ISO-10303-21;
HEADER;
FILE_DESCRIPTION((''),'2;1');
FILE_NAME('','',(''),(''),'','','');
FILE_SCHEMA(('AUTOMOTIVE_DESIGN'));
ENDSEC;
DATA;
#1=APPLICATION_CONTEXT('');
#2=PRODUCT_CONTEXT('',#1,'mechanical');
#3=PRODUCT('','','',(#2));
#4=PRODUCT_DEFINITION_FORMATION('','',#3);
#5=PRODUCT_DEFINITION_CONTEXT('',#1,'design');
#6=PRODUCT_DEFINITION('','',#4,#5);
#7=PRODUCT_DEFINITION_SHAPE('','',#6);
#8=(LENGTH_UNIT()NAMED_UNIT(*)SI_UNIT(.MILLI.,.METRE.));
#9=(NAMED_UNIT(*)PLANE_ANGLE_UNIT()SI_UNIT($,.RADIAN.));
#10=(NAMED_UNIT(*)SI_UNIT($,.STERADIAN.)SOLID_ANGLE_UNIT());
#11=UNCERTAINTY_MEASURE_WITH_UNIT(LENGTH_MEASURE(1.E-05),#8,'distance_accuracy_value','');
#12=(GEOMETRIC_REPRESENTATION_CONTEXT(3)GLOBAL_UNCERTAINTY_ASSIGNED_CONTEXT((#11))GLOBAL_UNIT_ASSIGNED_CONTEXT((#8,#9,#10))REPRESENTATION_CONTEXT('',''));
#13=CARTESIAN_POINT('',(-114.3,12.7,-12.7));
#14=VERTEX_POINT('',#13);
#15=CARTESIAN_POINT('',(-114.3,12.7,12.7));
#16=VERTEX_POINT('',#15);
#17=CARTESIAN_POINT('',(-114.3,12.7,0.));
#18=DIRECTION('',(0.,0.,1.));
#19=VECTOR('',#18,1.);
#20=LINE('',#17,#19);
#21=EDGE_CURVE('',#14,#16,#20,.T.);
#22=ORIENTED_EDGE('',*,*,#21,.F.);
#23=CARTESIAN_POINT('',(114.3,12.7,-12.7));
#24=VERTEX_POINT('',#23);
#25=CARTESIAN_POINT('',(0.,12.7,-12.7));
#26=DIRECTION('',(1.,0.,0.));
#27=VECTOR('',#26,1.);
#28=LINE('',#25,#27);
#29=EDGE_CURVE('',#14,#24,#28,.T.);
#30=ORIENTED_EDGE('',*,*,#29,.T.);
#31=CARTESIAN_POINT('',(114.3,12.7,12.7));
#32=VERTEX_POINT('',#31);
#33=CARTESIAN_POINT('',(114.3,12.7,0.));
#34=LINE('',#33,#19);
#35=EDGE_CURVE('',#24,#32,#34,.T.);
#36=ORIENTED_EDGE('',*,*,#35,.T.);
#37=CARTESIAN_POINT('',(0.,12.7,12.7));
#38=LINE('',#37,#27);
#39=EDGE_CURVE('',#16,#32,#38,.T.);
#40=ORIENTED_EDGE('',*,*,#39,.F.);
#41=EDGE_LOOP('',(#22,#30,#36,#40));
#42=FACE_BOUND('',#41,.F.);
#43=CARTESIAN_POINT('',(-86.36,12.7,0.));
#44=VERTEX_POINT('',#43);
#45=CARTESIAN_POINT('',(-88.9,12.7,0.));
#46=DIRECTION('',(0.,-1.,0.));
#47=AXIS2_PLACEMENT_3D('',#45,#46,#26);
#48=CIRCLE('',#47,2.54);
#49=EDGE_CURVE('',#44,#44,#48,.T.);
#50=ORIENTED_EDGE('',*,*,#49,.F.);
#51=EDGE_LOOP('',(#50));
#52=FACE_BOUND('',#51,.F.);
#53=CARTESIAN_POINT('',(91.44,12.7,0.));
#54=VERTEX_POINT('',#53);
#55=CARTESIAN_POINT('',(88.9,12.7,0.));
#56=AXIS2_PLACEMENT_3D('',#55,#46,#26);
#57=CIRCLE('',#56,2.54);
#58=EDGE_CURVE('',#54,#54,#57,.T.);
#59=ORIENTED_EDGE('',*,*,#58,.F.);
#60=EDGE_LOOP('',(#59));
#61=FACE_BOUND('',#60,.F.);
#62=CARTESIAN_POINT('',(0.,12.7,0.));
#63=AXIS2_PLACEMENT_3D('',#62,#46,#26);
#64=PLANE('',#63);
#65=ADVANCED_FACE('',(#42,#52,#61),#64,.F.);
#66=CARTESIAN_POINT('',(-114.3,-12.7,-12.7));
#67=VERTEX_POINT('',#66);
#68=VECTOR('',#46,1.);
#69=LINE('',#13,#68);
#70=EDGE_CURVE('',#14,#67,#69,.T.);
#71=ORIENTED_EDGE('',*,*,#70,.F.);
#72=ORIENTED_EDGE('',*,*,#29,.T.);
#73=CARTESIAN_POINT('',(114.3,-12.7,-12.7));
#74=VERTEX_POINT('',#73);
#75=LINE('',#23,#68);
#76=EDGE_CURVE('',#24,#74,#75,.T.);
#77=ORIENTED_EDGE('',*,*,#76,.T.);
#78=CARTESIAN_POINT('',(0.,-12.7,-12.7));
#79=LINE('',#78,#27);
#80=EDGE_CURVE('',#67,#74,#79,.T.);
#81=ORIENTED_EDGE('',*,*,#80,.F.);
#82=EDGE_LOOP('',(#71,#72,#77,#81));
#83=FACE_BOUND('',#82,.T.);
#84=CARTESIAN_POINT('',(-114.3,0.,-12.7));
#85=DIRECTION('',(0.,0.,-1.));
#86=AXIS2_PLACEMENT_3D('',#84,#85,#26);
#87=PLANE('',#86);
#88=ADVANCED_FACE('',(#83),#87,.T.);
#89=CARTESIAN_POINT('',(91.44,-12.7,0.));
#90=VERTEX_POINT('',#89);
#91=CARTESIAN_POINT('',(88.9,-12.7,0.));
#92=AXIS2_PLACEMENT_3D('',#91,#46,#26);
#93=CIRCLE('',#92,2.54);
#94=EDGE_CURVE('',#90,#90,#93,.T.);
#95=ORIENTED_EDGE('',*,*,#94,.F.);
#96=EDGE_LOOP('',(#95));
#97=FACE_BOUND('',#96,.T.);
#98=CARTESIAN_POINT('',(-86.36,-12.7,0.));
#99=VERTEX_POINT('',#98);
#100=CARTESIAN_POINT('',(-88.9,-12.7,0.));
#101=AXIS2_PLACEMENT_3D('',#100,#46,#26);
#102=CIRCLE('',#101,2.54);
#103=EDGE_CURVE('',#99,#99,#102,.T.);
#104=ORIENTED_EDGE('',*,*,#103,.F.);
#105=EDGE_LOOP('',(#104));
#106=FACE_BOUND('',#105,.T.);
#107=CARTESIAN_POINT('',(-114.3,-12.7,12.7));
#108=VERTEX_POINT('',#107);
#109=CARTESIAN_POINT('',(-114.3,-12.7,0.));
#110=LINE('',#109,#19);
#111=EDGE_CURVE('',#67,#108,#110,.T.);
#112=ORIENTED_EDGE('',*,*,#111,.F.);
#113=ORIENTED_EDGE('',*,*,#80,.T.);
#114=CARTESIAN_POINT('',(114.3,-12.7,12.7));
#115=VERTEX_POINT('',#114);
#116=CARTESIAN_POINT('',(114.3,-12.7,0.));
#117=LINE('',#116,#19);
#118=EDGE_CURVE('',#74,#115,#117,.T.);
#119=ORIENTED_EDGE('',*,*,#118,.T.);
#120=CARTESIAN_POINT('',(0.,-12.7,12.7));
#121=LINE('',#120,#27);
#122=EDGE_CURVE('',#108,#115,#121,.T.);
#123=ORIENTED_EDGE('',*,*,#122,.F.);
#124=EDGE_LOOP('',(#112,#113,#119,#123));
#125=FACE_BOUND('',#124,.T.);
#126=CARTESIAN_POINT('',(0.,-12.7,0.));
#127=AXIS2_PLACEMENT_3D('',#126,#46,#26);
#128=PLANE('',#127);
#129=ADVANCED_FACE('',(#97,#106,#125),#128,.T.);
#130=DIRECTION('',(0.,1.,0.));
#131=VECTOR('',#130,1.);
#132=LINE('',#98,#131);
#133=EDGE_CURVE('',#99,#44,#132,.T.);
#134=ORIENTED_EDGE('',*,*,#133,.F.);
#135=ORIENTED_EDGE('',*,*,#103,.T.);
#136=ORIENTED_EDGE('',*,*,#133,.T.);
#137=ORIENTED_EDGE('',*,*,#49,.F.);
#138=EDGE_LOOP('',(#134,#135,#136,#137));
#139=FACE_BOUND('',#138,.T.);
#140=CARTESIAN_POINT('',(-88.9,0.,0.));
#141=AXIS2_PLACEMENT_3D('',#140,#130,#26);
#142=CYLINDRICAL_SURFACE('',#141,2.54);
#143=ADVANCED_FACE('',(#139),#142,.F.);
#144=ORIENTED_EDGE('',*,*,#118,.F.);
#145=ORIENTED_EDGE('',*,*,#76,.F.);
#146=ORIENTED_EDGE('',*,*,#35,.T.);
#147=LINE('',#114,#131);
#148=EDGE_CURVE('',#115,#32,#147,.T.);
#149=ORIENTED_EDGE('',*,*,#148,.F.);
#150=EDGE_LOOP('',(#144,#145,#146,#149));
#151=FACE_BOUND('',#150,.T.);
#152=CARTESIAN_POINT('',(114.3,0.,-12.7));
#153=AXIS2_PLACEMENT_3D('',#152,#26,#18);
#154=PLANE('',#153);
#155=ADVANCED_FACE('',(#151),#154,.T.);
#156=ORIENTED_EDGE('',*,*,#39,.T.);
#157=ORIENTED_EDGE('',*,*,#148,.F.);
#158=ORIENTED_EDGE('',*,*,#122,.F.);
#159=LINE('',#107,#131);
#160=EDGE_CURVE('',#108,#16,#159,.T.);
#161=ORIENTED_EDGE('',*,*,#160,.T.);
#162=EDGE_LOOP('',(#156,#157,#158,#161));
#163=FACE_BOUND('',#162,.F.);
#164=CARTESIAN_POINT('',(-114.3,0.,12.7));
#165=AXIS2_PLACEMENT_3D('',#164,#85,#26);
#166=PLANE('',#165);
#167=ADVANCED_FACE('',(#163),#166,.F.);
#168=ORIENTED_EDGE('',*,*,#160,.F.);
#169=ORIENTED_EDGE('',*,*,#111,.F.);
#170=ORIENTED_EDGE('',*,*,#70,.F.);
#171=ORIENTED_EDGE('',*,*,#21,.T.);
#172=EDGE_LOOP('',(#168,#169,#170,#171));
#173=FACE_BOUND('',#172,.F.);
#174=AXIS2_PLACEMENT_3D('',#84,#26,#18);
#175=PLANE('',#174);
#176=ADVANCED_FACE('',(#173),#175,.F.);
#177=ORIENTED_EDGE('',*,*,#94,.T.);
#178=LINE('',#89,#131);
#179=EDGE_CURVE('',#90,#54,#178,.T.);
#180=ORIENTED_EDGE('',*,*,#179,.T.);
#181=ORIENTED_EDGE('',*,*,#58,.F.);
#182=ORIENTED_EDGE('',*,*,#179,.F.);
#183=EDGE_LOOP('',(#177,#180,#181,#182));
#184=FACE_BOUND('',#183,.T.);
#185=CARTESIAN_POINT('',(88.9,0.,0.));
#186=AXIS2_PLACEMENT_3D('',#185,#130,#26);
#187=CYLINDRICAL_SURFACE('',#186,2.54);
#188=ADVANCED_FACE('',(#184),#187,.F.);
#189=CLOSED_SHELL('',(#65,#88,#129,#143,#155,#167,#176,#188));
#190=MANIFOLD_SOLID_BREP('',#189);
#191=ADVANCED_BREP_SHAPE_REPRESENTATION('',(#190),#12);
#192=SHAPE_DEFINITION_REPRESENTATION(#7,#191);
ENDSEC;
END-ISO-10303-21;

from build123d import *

# Parameters (mm, degrees)
F0_W     = 228.6
F0_H     = 25.4
F0_R     = 3.81
F0_R_2   = 2.54
F1_DEPTH = 12.7


with BuildPart() as f1:
    # F0 (on Front) → F1 (new body, symmetric)
    with BuildSketch(Plane.XZ):
        Rectangle(F0_W, F0_H)
        with Locations((-88.9, 0)):
            Circle(F0_R, mode=Mode.SUBTRACT)
        with Locations((88.9, 0)):
            Circle(F0_R, mode=Mode.SUBTRACT)
        with Locations((88.9, 0)):
            Circle(F0_R)
        with Locations((88.9, 0)):
            Circle(F0_R_2, mode=Mode.SUBTRACT)
        with Locations((-88.9, 0)):
            Circle(F0_R)
        with Locations((-88.9, 0)):
            Circle(F0_R_2, mode=Mode.SUBTRACT)
    extrude(amount=F1_DEPTH, both=True)


solid = f1.part
